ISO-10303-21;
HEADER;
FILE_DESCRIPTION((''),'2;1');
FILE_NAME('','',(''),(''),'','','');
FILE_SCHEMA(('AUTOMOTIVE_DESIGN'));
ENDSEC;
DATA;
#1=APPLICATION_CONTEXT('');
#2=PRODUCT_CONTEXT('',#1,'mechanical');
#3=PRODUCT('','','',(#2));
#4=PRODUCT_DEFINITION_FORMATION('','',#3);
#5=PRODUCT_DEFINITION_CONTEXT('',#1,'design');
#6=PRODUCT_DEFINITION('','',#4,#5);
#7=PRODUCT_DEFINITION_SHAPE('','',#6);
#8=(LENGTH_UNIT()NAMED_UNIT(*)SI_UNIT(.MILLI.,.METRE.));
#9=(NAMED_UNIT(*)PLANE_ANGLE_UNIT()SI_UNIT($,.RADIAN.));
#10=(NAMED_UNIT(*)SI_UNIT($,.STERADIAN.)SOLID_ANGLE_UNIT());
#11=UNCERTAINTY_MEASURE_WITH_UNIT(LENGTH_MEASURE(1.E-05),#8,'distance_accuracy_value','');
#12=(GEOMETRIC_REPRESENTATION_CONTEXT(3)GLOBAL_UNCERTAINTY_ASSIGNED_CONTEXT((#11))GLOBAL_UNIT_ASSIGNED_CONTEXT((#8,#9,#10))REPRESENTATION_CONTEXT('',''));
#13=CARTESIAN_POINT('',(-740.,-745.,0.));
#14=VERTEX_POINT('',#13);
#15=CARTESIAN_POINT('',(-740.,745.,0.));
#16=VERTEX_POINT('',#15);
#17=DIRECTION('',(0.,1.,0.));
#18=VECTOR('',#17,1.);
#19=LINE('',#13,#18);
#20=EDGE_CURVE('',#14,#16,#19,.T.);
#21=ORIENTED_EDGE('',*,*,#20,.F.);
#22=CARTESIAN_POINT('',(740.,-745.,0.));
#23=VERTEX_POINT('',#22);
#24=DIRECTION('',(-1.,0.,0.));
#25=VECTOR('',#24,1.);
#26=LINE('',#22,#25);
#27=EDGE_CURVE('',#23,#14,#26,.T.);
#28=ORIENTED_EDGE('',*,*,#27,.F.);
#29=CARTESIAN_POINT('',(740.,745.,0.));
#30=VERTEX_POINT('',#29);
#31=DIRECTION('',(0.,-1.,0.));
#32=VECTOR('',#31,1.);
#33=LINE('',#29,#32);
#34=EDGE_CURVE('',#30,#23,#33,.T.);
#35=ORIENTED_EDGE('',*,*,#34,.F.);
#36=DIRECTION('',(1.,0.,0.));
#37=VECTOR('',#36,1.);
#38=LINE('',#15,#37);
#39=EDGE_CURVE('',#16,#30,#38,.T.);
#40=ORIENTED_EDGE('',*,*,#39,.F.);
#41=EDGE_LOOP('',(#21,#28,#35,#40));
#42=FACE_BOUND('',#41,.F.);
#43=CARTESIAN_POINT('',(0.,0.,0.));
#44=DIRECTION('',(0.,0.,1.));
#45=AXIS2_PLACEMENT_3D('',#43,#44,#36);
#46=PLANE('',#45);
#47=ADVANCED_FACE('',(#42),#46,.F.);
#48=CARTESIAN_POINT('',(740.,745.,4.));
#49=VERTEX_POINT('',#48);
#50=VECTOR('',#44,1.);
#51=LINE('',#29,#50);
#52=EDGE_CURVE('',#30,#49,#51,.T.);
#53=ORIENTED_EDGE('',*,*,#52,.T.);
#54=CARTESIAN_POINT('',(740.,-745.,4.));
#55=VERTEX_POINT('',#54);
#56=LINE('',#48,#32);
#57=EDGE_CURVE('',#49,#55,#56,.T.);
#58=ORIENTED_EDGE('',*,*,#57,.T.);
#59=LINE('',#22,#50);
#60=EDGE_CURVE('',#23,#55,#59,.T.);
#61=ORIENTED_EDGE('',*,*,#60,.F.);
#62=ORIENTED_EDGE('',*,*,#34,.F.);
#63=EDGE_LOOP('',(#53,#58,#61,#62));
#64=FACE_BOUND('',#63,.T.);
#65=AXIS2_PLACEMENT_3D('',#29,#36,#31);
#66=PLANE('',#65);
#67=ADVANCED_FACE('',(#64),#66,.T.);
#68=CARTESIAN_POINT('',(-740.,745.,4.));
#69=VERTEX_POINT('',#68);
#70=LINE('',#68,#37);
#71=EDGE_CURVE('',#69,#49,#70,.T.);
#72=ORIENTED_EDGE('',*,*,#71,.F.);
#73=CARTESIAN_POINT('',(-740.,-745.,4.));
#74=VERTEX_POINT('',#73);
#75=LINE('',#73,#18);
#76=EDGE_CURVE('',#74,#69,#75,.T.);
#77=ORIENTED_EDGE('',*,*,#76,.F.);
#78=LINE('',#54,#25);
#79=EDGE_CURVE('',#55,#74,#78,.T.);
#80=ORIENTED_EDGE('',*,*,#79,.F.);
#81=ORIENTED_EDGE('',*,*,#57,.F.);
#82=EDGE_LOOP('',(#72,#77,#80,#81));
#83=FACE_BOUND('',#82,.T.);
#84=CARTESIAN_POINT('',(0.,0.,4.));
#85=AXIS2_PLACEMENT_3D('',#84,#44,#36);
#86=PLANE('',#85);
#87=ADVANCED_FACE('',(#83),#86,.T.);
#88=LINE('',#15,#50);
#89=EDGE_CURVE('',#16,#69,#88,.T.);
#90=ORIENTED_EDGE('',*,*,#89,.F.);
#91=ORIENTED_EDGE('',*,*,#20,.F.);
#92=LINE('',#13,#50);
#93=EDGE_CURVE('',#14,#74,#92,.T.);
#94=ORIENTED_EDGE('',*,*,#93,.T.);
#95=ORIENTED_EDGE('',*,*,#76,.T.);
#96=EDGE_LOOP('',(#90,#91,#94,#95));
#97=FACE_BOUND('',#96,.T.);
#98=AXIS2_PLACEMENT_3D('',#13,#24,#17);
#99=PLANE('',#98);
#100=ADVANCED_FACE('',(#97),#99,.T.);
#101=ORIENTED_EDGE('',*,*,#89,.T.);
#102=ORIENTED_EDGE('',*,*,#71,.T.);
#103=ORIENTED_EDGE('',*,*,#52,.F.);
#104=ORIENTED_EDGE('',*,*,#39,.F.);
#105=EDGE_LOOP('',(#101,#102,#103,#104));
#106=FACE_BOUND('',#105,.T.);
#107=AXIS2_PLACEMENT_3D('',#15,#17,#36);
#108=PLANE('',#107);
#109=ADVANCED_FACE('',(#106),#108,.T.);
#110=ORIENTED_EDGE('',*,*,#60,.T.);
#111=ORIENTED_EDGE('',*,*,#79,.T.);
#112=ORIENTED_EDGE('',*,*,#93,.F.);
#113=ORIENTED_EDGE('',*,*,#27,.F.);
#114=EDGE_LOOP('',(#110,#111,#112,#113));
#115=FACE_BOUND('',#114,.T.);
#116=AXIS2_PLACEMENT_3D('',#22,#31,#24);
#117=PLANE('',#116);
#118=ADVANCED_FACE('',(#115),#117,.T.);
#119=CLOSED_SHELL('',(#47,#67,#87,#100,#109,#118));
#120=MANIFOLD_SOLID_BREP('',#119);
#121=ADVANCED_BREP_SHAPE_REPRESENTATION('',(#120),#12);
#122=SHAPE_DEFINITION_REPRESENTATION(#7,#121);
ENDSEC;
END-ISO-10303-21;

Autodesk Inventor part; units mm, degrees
ref_plane "YZ Plane" through (0, 0, 0) normal (1, 0, 0) x (0, 1, 0)
ref_plane "XZ Plane" through (0, 0, 0) normal (0, 1, 0) x (-1, 0, 0)
ref_plane "XY Plane" through (0, 0, 0) normal (0, 0, 1) x (1, 0, 0)
sketch "Sketch1" plane through (0, 0, 0) normal (0, 0, 1) x (1, 0, 0)
  line L0 (740, -745) -> (-740, -745)
  line L1 (-740, -745) -> (-740, 745)
  line L2 (-740, 745) -> (740, 745)
  line L3 (740, 745) -> (740, -745)
  line L4 (740, -745) -> (-740, 745) construction
  line L5 (-740, -745) -> (740, 745) construction
  point P0 (0, 0)
  dimension "d0" = 1480
  dimension "d1" = 1490
extrude "Plate1" add sketch "Sketch1" along normal blind 4
equation "\"d0\" = Лист_ширина"
equation "\"d1\" = 0.5 * Лист_длина"
equation "\"d2\" = Thickness"
equation "\"BendRadius\" = Thickness"
equation "\"BendReliefWidth\" = Thickness"
equation "\"BendReliefDepth\" = 0.5 * Thickness"
equation "\"CornerReliefSize\" = 4 * Thickness"
equation "\"MinimumRemnant\" = 2 * Thickness"
equation "\"TransitionRadius\" = BendRadius"
equation "\"JacobiRadiusSize\" = BendRadius"
equation "\"GapSize\" = Thickness"
equation "\"Лист_ширина\" = 1480"
equation "\"Лист_длина\" = 2980"
equation "\"Thickness\" = 4"
properties part number "05.7 GBK shield" material "Steel"
